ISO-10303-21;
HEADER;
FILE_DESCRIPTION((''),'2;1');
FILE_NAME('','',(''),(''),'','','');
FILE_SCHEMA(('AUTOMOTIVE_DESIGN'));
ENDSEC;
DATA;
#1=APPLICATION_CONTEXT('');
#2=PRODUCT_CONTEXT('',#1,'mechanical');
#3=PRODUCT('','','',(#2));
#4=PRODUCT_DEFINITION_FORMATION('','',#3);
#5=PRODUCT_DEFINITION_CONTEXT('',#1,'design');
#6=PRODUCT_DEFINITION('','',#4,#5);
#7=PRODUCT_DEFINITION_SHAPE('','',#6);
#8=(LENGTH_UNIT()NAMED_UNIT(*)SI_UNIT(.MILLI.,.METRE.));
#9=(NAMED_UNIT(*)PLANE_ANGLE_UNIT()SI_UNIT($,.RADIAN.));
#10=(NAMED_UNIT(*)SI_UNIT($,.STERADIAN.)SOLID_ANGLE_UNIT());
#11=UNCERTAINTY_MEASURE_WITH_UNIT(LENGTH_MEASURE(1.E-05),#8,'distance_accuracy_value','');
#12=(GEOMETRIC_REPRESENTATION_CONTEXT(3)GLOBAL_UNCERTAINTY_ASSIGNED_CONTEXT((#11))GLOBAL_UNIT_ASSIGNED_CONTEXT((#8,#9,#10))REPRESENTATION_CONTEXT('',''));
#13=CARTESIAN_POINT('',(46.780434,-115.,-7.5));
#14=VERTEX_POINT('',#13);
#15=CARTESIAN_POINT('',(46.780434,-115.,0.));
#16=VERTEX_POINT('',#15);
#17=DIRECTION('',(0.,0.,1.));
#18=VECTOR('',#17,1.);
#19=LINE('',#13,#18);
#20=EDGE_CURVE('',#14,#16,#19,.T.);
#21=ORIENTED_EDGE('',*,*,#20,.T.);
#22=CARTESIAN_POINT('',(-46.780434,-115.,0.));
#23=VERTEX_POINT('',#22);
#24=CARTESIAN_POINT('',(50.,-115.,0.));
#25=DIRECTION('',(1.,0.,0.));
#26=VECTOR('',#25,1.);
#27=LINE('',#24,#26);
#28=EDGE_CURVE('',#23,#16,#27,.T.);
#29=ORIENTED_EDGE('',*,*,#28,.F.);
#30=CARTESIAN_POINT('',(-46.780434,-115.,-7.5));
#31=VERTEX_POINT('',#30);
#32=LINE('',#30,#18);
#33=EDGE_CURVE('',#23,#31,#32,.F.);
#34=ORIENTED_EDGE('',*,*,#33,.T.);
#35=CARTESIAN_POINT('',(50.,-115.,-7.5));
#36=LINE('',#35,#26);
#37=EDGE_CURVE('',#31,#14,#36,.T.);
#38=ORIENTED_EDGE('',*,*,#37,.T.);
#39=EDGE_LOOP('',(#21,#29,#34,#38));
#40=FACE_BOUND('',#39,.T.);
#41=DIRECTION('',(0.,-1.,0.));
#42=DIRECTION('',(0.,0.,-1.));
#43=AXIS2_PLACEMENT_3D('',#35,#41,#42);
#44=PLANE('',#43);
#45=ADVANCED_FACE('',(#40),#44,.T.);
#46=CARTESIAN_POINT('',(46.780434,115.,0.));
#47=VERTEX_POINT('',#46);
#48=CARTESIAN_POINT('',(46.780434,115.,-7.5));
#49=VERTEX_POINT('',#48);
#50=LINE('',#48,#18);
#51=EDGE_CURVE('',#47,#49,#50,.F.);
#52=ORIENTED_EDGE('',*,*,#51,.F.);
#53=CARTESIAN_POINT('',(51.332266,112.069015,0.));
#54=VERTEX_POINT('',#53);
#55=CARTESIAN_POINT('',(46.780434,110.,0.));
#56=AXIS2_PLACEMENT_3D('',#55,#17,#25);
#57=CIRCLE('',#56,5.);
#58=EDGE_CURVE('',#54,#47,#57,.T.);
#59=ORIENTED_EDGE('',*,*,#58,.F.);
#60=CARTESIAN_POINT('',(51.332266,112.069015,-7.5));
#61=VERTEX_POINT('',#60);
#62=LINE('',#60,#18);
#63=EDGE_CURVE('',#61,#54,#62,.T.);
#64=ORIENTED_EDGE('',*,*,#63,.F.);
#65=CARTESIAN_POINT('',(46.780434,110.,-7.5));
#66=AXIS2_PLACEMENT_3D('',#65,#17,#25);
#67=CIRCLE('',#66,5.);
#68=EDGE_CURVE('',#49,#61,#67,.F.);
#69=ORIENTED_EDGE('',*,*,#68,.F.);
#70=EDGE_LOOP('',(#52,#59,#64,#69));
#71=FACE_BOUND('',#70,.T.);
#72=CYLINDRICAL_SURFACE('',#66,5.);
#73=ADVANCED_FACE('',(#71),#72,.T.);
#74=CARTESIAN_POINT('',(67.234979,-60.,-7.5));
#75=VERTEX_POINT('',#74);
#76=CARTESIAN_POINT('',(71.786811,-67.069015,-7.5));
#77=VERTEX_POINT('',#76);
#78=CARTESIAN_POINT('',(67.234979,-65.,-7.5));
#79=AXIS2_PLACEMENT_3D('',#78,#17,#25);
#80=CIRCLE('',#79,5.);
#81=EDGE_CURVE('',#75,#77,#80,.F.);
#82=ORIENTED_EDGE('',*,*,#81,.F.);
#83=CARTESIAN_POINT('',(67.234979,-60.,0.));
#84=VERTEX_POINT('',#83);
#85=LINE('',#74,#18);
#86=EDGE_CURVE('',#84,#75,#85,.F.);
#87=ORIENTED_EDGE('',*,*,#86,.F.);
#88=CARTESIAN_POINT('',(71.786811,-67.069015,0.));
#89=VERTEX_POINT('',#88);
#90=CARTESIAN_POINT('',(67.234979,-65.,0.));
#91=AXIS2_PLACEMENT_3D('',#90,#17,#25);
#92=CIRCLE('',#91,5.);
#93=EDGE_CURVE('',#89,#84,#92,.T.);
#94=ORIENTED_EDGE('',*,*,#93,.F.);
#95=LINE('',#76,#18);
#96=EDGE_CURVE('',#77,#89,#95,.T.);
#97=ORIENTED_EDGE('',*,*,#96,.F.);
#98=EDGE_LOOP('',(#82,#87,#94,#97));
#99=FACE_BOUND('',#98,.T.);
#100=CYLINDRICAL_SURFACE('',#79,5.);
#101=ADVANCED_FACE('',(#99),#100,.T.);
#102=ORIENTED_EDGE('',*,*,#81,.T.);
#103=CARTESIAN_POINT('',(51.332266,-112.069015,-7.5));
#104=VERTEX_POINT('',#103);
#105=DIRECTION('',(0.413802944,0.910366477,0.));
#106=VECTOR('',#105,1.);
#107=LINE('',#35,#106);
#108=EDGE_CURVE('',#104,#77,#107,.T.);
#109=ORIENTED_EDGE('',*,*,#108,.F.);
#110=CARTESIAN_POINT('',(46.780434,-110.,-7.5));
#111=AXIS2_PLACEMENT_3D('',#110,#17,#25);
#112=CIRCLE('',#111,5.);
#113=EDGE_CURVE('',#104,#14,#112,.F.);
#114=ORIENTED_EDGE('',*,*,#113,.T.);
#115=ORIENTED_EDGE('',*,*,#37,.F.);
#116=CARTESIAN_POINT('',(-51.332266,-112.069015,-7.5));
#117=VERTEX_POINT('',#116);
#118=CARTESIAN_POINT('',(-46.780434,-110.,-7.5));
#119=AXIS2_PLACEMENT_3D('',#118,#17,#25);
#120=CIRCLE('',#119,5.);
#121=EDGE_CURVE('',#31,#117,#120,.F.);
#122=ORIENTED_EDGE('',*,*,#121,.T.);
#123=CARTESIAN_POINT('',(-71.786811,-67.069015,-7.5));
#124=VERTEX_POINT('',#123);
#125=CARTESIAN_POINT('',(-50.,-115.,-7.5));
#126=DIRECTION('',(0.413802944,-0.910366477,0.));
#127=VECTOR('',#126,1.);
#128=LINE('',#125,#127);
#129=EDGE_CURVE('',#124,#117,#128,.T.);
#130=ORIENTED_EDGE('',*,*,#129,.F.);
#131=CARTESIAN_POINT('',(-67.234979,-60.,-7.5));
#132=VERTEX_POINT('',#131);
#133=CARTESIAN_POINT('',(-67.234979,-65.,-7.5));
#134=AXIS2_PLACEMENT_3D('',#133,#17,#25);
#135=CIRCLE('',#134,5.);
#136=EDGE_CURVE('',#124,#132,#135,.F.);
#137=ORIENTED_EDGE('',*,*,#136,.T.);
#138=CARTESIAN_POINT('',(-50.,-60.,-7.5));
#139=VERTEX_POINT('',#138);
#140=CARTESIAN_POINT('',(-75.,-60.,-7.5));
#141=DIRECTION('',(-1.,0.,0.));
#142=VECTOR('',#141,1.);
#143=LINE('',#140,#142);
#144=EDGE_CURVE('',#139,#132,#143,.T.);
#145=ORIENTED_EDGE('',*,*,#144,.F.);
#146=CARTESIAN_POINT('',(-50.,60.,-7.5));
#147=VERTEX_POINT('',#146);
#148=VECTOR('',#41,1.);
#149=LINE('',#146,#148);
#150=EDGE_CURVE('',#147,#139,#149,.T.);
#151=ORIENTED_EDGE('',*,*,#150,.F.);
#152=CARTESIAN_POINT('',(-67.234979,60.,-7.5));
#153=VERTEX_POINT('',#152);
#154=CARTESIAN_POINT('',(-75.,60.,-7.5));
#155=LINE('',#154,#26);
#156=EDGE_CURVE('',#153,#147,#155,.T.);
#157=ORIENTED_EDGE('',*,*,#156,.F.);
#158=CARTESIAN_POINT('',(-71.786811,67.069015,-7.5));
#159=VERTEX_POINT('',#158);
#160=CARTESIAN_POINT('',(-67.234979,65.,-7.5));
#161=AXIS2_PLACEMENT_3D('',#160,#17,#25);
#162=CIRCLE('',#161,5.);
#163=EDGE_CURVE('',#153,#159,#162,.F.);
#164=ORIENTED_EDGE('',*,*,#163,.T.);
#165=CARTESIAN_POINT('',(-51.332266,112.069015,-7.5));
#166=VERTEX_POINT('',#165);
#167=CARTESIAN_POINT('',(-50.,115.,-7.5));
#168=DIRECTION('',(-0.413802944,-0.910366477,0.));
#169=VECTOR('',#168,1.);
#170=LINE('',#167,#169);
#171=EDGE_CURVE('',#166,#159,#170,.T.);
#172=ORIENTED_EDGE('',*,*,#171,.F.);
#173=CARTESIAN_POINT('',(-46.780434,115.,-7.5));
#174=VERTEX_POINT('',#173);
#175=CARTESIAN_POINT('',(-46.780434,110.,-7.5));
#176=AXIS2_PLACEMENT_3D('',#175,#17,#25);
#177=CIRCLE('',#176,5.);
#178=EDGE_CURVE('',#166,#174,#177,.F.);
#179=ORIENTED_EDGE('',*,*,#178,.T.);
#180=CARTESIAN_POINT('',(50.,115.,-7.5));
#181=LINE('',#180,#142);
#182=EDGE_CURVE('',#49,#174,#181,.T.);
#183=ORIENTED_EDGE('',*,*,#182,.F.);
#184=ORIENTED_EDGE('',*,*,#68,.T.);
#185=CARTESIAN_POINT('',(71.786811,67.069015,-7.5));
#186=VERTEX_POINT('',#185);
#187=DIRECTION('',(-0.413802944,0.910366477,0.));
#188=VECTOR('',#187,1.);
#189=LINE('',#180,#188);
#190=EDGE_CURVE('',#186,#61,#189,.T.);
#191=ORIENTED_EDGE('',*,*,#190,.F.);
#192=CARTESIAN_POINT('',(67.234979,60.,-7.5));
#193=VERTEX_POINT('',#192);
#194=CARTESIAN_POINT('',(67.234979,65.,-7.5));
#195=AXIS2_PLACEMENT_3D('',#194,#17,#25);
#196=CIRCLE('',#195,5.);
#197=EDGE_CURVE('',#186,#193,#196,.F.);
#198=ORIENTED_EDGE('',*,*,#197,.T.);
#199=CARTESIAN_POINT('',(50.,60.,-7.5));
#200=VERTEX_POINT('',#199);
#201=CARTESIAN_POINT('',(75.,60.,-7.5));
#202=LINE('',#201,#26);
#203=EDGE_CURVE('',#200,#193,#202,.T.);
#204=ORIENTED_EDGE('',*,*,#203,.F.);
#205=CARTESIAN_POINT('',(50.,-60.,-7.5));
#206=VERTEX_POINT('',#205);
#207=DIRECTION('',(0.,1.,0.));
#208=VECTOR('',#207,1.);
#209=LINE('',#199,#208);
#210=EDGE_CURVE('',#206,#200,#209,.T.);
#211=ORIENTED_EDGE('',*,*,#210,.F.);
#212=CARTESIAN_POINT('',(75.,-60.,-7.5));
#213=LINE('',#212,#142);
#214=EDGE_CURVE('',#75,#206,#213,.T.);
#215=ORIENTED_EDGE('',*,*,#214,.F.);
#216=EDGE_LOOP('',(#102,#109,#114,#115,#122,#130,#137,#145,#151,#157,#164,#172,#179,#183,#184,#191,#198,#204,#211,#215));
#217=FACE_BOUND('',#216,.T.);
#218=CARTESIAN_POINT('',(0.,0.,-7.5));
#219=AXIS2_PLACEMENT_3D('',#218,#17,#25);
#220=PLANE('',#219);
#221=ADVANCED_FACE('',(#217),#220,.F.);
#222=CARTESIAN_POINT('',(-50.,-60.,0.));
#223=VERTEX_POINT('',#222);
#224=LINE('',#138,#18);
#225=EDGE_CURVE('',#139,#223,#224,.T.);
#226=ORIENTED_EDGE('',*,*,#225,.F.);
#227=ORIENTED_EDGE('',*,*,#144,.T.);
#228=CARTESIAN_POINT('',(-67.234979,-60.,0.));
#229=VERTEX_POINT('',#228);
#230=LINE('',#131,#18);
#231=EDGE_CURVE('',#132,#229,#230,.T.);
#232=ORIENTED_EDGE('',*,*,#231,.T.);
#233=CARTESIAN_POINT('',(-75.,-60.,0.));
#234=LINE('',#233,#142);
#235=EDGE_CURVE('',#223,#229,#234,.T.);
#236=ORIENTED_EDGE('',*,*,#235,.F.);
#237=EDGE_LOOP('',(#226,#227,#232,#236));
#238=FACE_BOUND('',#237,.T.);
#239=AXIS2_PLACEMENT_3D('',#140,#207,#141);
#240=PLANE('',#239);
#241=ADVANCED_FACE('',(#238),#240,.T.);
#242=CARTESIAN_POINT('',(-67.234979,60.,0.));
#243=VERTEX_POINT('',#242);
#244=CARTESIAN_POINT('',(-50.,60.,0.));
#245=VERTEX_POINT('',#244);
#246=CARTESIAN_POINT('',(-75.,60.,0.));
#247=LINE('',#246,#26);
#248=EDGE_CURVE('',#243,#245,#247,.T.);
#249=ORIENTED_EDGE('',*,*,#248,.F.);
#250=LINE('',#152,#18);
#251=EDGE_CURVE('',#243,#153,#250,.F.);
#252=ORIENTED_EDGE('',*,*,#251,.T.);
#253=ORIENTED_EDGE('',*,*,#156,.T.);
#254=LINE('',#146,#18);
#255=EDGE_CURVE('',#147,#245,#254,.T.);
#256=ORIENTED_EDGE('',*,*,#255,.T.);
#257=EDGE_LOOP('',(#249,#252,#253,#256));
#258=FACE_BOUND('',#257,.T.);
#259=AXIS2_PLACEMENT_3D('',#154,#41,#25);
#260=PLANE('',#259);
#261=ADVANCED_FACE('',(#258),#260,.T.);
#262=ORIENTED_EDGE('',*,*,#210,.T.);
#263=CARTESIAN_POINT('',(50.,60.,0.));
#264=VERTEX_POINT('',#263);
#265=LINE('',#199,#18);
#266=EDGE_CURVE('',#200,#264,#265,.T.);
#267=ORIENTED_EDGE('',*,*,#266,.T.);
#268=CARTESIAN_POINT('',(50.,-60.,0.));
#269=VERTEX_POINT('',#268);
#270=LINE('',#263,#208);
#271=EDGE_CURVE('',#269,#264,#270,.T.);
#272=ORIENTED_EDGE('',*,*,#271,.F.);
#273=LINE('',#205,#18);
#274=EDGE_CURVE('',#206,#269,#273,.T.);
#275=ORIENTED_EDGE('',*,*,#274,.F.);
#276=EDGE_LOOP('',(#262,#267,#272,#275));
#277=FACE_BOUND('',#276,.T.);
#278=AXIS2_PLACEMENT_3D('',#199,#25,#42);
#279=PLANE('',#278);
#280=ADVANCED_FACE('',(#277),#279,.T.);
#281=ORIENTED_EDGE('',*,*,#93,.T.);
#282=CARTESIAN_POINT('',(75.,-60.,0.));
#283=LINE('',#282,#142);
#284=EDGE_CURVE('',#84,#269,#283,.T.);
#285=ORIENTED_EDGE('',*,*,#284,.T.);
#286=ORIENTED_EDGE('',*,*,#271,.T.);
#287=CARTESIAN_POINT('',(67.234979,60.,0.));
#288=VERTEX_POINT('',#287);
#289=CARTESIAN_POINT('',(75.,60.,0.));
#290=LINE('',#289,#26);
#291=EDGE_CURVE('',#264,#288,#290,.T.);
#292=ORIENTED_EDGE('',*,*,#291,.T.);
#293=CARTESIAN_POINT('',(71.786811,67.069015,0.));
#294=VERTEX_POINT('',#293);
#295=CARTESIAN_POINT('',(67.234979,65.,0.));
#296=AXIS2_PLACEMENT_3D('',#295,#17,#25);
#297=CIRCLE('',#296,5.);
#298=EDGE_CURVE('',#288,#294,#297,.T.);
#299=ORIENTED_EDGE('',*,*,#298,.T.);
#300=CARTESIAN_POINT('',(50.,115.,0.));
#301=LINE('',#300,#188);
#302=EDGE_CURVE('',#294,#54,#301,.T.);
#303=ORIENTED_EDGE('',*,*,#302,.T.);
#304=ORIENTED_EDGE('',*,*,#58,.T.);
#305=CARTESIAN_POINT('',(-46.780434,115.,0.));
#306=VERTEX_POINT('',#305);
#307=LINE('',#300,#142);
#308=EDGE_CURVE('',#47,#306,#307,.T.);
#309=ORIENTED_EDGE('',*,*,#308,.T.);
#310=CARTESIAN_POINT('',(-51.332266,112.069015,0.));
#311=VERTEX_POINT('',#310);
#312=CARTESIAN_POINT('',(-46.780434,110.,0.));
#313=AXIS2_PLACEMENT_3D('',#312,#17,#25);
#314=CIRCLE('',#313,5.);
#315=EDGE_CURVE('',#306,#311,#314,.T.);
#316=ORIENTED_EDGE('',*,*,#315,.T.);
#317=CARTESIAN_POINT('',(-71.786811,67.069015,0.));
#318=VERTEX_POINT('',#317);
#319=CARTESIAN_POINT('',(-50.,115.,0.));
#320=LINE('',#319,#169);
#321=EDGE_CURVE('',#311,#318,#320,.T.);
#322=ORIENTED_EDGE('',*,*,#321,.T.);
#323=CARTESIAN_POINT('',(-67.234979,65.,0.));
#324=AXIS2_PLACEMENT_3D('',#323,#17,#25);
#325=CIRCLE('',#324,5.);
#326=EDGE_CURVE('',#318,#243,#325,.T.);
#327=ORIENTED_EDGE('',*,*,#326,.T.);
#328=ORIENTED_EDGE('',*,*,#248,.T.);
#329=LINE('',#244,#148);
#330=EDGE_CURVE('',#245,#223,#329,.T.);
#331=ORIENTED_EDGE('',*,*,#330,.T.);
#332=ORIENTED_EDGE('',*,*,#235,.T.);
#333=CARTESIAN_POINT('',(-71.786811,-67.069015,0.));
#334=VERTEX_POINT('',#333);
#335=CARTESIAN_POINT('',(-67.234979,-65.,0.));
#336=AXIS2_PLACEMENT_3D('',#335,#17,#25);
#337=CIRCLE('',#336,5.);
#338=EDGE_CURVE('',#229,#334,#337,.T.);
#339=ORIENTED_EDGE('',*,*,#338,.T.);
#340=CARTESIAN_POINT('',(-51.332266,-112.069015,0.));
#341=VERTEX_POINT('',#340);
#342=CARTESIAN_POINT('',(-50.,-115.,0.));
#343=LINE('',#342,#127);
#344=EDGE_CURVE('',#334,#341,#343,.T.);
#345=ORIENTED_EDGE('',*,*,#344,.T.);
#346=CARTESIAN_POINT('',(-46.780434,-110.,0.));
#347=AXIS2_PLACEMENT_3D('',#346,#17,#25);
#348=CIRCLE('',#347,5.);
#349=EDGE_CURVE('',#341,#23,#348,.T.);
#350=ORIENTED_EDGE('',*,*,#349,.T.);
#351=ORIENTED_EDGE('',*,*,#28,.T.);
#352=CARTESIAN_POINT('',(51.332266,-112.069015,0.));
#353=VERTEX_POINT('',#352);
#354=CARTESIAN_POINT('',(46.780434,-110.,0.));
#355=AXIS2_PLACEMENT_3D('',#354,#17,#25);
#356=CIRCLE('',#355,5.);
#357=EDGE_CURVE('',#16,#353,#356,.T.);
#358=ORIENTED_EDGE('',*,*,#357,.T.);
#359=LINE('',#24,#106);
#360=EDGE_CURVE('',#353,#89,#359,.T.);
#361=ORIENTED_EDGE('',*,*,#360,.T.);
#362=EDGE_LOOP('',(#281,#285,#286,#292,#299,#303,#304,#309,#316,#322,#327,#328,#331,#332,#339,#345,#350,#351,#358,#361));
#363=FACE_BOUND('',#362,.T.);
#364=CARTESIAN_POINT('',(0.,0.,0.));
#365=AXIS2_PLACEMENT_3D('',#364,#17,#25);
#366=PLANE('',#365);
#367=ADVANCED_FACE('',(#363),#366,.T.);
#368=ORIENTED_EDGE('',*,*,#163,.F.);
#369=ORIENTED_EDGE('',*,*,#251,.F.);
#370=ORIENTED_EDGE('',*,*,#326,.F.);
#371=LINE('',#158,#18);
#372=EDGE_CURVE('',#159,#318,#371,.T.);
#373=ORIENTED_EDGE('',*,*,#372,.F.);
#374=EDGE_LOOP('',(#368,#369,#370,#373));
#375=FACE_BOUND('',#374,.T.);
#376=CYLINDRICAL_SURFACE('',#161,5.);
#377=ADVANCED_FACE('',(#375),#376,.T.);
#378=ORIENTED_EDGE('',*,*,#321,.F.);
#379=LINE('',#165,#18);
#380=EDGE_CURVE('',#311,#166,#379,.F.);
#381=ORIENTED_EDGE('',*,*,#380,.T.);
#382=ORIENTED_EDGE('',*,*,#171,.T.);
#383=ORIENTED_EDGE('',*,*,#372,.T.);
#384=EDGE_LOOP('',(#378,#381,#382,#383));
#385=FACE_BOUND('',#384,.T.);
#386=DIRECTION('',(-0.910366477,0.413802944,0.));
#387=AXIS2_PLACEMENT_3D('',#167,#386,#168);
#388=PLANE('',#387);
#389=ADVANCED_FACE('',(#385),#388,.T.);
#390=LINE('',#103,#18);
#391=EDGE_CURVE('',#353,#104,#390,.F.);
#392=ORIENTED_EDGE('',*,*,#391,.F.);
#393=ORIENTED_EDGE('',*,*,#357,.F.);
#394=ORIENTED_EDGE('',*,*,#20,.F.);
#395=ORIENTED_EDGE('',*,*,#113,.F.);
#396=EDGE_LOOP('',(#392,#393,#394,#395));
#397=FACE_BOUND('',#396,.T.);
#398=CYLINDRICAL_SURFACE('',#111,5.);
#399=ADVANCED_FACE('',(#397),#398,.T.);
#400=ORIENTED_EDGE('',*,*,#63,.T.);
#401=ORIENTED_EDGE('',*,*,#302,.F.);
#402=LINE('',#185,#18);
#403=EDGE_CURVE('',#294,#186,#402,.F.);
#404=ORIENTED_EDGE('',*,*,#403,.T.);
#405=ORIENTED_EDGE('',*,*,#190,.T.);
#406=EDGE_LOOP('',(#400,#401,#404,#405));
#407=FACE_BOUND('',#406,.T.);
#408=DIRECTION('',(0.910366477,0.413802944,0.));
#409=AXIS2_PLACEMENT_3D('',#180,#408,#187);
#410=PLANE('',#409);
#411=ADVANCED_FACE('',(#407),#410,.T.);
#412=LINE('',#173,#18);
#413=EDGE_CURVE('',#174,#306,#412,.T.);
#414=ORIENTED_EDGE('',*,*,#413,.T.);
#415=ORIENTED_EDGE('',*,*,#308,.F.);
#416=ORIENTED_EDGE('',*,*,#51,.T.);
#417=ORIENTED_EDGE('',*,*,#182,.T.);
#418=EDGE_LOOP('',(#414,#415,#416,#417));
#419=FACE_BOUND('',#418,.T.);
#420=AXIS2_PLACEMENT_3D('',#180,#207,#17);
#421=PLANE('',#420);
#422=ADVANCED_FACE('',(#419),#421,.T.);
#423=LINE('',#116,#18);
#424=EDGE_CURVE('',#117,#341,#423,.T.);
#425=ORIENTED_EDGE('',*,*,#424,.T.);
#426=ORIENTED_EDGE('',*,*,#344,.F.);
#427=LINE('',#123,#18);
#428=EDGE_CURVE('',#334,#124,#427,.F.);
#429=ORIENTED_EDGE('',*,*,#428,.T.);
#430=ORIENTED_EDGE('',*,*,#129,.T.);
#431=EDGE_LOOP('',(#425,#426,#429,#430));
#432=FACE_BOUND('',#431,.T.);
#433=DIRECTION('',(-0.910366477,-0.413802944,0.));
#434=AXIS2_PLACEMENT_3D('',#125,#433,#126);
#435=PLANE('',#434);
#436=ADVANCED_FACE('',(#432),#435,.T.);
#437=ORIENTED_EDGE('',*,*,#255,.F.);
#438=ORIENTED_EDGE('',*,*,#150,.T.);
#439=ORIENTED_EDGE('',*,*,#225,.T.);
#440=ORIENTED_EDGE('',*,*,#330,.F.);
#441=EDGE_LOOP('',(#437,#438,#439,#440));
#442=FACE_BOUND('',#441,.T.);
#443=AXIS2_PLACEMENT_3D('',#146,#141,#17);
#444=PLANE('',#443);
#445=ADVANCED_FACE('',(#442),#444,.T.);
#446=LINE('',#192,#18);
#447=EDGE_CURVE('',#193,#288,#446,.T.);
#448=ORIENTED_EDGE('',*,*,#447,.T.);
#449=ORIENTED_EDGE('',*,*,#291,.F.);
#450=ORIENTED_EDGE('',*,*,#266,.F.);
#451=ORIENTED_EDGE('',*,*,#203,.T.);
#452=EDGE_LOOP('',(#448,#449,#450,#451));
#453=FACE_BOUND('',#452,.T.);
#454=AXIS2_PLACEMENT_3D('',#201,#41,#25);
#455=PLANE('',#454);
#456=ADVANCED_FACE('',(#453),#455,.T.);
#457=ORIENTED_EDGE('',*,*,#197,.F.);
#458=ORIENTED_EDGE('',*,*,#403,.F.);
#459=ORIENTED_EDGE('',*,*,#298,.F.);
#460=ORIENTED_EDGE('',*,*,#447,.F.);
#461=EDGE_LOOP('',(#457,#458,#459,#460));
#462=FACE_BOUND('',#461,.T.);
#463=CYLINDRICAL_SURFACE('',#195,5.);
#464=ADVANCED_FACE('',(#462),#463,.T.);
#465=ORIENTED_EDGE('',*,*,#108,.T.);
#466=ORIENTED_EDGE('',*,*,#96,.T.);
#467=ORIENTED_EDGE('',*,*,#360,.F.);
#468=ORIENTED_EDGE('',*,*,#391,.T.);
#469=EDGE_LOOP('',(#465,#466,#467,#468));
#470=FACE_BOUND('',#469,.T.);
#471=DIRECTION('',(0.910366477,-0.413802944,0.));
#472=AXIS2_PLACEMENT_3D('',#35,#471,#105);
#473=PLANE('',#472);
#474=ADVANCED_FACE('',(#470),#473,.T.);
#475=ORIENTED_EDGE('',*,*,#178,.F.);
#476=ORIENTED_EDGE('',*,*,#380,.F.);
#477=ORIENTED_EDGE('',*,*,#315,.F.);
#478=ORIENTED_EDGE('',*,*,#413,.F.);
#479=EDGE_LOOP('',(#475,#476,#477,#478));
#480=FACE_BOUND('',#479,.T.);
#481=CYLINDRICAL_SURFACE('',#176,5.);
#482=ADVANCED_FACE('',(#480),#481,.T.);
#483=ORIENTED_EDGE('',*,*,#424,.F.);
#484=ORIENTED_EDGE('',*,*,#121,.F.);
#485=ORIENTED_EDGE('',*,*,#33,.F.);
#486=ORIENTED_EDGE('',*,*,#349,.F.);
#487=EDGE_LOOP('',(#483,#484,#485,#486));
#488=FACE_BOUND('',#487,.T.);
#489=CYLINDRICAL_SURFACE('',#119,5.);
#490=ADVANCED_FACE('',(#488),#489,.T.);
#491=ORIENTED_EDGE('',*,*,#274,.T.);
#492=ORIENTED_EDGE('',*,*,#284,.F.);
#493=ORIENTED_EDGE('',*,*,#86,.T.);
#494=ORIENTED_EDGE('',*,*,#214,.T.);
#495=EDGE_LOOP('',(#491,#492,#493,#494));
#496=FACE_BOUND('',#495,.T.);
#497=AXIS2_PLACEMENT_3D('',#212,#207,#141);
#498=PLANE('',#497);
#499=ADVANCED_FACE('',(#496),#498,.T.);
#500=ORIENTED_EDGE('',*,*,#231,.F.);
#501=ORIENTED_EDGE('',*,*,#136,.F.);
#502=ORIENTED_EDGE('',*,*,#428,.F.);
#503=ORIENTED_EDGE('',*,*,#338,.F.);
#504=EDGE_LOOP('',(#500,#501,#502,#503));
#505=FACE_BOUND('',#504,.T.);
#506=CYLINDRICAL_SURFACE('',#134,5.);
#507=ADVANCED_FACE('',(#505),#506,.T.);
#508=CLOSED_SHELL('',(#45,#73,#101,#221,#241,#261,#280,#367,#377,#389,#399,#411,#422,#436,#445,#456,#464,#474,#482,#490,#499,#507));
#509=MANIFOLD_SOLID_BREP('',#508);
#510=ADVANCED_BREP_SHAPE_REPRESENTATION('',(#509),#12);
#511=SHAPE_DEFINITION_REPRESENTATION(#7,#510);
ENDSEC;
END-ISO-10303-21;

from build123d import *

# Parameters (mm, degrees)
BOSS_EXTRUDE1_DEPTH = 7.5
FILLET1_R           = 5


with BuildPart() as part:
    # Sketch1 → Boss-Extrude1 (new body)
    with BuildSketch(Plane.XY):
        Polygon((50, 115), (-50, 115), (-75, 60), (-50, 60), (-50, -60), (-75, -60), (-50, -115), (50, -115), (75, -60), (50, -60), (50, 60), (75, 60), align=None)
    extrude(amount=-BOSS_EXTRUDE1_DEPTH)

    # Fillet1
    fillet1_edges = [part.edges().sort_by_distance(p)[0] for p in [
        (-50, 115, -3.75),
        (50, 115, -3.75),
        (75, 60, -3.75),
        (75, -60, -3.75),
        (50, -115, -3.75),
        (-50, -115, -3.75),
        (-75, -60, -3.75),
        (-75, 60, -3.75),
    ]]
    fillet(fillet1_edges, radius=FILLET1_R)


solid = part.part
